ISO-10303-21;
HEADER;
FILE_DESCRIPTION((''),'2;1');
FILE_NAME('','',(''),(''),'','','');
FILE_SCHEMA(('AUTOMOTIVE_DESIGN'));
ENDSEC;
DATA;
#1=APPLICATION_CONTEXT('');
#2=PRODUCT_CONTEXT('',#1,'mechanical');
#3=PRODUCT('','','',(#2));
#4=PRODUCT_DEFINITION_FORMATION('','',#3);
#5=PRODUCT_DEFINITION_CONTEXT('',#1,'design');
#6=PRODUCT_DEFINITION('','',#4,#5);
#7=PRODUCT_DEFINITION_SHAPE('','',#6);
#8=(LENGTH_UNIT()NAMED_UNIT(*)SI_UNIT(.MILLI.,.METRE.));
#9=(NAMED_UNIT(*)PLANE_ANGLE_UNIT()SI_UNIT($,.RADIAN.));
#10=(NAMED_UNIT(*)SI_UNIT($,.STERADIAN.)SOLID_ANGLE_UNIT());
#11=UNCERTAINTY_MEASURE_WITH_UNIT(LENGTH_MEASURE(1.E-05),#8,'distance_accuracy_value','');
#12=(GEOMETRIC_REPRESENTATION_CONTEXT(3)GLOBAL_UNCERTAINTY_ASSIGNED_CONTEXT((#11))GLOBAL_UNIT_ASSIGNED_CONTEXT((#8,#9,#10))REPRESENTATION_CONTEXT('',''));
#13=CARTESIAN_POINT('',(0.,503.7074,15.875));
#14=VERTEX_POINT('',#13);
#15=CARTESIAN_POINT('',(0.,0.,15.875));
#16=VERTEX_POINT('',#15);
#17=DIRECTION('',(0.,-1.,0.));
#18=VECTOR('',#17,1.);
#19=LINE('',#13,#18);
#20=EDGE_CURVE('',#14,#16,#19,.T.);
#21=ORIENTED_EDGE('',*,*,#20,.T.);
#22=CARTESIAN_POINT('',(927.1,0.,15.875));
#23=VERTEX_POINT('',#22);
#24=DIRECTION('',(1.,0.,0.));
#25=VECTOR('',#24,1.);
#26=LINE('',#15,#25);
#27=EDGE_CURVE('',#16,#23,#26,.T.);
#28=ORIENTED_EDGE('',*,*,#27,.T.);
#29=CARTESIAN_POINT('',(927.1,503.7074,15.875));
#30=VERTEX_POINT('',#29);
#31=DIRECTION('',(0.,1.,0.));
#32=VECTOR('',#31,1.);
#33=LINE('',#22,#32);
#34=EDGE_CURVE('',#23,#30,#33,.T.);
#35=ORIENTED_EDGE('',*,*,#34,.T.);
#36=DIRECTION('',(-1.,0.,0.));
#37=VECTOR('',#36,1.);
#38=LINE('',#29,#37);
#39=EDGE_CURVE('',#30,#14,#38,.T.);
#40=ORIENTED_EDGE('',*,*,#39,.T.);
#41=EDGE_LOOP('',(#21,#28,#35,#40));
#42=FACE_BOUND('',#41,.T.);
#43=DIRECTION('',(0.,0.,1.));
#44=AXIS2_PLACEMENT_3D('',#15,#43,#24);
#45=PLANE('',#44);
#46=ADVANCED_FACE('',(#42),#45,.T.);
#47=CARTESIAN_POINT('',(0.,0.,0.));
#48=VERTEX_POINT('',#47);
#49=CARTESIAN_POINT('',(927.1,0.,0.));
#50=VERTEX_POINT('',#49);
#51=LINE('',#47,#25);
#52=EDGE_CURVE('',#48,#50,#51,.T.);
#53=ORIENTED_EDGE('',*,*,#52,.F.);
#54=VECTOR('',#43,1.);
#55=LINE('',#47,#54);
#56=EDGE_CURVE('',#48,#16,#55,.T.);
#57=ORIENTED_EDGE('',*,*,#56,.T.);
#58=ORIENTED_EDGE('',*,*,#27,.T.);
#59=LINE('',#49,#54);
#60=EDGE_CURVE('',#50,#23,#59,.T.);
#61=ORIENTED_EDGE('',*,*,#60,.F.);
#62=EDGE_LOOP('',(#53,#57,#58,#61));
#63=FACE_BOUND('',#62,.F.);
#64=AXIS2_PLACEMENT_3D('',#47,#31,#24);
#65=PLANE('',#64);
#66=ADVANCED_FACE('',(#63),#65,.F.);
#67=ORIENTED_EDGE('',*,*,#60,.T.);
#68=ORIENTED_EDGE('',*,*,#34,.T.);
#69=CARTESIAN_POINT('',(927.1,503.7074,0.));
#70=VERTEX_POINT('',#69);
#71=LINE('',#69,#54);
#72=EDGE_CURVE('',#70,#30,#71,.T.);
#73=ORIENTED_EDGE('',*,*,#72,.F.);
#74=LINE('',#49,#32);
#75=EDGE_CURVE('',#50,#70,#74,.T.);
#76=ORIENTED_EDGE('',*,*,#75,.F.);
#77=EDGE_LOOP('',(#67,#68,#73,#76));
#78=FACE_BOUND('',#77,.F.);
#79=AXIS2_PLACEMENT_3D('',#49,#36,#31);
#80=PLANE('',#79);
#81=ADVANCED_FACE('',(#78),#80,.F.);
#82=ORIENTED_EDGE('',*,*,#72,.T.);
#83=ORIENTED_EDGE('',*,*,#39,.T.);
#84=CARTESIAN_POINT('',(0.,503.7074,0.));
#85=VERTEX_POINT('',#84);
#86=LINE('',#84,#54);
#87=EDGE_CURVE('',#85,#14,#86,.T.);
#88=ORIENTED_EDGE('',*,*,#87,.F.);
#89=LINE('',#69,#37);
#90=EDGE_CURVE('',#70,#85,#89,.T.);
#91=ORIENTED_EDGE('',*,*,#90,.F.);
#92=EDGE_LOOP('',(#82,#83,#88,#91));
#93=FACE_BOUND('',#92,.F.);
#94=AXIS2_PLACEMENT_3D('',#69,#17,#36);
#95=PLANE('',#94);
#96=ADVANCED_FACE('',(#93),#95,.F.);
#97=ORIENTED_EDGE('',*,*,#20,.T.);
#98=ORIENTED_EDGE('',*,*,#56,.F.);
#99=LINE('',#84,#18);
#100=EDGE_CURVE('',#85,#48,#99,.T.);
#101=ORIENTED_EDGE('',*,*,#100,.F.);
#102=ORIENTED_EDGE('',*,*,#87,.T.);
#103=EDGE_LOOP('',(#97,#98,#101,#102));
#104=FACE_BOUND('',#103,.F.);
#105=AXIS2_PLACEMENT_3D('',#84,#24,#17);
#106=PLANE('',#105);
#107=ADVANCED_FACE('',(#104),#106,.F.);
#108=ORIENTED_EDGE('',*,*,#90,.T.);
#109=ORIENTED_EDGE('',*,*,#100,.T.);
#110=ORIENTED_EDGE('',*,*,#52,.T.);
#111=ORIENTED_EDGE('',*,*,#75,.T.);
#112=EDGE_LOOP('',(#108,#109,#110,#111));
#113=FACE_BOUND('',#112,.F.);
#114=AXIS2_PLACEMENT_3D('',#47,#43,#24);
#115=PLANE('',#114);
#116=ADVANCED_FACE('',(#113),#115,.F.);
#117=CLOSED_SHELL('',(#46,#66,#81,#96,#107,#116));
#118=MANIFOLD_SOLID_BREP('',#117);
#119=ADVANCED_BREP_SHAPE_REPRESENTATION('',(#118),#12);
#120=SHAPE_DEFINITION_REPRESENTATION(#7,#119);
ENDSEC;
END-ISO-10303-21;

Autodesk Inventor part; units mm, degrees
ref_plane "YZ Plane" through (0, 0, 0) normal (1, 0, 0) x (0, 1, 0)
ref_plane "XZ Plane" through (0, 0, 0) normal (0, 1, 0) x (-1, 0, 0)
ref_plane "XY Plane" through (0, 0, 0) normal (0, 0, 1) x (1, 0, 0)
sketch "Sketch1" plane through (0, 0, 0) normal (0, 0, 1) x (1, 0, 0)
  line L0 (0, 0) -> (927.1, 0)
  line L1 (927.1, 0) -> (927.1, 503.7074)
  line L2 (927.1, 503.7074) -> (0, 503.7074)
  line L3 (0, 503.7074) -> (0, 0)
  dimension "d2" = 503.7074
  dimension "d3" = 927.1
extrude "Extrusion1" add sketch "Sketch1" along normal blind 15.875
properties part number "DensGlass_With_Dimensions_36.5_x_25.5_Inches" material "Wood (Birch)"
